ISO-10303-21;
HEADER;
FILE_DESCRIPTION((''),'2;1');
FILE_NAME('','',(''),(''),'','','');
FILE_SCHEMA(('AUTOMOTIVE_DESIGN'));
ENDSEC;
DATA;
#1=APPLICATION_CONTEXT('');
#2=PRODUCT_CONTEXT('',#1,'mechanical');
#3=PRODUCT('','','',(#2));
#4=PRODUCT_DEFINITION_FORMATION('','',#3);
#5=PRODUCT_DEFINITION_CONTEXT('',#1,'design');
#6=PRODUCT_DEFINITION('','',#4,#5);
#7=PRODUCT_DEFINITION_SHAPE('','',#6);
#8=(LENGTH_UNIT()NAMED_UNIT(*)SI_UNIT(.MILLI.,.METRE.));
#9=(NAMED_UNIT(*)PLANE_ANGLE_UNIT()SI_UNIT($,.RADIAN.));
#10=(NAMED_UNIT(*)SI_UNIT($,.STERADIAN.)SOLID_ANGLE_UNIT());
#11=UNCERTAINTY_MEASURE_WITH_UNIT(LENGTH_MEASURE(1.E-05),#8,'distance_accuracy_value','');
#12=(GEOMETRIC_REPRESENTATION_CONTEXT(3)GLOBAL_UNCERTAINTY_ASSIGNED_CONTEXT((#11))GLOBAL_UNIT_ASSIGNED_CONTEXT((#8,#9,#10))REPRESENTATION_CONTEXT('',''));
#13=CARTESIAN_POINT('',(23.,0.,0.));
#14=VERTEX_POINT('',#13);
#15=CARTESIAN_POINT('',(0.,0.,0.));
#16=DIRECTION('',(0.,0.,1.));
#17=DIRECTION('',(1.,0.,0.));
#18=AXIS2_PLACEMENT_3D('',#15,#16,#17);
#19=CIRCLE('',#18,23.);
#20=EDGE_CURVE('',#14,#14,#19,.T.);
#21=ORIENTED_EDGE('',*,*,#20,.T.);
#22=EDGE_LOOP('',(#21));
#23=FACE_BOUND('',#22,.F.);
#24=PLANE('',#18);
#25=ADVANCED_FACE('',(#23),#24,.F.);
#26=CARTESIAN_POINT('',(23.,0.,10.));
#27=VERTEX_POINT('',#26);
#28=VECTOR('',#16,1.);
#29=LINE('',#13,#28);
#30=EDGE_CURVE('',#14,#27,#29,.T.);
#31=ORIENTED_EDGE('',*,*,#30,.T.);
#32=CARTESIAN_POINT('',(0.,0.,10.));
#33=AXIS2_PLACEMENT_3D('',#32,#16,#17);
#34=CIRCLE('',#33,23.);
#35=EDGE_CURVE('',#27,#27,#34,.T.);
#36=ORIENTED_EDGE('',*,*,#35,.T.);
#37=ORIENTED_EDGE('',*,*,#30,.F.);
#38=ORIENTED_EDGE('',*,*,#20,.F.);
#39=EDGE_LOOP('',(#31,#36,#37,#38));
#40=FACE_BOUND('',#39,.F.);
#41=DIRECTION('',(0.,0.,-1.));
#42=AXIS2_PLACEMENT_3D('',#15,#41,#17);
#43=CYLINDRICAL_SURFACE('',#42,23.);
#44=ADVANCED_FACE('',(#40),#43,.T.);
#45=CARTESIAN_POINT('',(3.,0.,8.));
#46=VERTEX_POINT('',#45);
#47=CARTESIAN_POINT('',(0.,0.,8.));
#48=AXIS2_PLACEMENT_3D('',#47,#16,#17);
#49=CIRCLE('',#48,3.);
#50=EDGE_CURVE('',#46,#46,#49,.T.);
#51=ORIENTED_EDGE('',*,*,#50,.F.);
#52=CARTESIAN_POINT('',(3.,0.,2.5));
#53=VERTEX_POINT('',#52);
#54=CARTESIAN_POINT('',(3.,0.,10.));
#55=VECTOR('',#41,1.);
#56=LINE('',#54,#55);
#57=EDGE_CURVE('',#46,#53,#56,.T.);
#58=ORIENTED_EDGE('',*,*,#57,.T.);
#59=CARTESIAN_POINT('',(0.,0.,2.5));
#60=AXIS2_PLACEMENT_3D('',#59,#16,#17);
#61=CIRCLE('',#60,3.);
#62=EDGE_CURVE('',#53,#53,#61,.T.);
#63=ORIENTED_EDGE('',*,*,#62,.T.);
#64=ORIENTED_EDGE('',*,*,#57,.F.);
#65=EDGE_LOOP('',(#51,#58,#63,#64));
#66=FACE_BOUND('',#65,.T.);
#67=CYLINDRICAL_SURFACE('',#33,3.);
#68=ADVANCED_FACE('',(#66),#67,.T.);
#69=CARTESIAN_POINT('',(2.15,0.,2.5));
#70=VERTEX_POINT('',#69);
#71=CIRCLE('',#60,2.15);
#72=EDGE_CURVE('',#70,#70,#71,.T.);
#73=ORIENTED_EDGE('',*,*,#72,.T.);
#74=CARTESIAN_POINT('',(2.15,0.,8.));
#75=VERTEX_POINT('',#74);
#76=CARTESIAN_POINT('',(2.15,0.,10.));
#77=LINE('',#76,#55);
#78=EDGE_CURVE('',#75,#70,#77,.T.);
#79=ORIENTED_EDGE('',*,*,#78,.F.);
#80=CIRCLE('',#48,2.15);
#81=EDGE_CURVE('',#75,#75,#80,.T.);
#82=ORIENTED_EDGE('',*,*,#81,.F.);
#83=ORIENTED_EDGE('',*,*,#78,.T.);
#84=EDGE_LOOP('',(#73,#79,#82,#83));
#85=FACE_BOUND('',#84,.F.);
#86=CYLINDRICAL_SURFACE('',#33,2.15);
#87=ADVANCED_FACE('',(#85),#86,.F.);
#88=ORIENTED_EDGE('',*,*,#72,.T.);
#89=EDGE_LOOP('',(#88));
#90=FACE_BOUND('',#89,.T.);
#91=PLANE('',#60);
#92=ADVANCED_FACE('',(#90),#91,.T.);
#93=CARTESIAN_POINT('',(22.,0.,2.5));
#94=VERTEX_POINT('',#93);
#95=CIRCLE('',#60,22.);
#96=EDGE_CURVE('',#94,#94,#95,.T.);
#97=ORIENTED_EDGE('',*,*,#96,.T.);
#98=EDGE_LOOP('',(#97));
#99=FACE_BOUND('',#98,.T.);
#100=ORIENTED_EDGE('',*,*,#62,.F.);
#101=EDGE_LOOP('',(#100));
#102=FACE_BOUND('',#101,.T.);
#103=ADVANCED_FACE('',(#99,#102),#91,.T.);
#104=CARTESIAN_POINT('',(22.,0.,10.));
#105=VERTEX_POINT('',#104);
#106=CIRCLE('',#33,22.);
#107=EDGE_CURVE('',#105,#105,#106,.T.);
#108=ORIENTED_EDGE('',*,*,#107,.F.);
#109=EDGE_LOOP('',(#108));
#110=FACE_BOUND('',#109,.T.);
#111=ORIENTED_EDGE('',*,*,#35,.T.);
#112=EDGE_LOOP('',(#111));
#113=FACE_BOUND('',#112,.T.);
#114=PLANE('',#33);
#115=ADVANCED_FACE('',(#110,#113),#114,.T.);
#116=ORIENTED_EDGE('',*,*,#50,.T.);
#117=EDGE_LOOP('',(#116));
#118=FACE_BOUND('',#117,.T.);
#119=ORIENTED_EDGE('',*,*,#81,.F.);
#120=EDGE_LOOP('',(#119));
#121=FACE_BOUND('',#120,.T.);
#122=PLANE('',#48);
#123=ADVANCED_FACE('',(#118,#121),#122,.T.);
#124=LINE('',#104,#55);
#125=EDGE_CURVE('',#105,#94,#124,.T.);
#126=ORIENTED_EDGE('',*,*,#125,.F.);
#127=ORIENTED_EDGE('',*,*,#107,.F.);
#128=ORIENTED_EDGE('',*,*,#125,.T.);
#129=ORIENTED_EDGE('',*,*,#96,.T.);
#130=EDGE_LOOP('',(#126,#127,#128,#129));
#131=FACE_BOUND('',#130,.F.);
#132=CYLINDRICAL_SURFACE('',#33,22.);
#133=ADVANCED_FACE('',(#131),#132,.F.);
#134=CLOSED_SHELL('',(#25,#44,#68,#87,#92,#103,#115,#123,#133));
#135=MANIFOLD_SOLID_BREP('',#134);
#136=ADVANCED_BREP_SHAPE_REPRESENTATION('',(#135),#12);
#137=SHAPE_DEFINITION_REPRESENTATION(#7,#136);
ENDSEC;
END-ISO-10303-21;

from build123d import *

# Parameters (mm, degrees)
F0_R     = 23
F1_DEPTH = 10
F2_R     = 22
F2_R_2   = 3
F2_R_3   = 2.15
F3_DEPTH = 7.5
F4_DEPTH = 2


with BuildPart() as f1:
    # F0 (on Top) → F1 (new body)
    with BuildSketch(Plane.XY):
        Circle(F0_R)
    extrude(amount=F1_DEPTH)

    # F2 (on face) → F3 (cut)
    with BuildSketch(Plane.XY.offset(10)):
        Circle(F2_R)
        Circle(F2_R_2, mode=Mode.SUBTRACT)
        Circle(F2_R_3)
    extrude(amount=-F3_DEPTH, mode=Mode.SUBTRACT)

    # F4 (cut): a face of the model
    f4_faces = [f1.faces().sort_by_distance(p)[0] for p in [
        (-2.9151471863, 0, 10),
    ]]
    extrude(f4_faces, amount=-F4_DEPTH, mode=Mode.SUBTRACT)


solid = f1.part
